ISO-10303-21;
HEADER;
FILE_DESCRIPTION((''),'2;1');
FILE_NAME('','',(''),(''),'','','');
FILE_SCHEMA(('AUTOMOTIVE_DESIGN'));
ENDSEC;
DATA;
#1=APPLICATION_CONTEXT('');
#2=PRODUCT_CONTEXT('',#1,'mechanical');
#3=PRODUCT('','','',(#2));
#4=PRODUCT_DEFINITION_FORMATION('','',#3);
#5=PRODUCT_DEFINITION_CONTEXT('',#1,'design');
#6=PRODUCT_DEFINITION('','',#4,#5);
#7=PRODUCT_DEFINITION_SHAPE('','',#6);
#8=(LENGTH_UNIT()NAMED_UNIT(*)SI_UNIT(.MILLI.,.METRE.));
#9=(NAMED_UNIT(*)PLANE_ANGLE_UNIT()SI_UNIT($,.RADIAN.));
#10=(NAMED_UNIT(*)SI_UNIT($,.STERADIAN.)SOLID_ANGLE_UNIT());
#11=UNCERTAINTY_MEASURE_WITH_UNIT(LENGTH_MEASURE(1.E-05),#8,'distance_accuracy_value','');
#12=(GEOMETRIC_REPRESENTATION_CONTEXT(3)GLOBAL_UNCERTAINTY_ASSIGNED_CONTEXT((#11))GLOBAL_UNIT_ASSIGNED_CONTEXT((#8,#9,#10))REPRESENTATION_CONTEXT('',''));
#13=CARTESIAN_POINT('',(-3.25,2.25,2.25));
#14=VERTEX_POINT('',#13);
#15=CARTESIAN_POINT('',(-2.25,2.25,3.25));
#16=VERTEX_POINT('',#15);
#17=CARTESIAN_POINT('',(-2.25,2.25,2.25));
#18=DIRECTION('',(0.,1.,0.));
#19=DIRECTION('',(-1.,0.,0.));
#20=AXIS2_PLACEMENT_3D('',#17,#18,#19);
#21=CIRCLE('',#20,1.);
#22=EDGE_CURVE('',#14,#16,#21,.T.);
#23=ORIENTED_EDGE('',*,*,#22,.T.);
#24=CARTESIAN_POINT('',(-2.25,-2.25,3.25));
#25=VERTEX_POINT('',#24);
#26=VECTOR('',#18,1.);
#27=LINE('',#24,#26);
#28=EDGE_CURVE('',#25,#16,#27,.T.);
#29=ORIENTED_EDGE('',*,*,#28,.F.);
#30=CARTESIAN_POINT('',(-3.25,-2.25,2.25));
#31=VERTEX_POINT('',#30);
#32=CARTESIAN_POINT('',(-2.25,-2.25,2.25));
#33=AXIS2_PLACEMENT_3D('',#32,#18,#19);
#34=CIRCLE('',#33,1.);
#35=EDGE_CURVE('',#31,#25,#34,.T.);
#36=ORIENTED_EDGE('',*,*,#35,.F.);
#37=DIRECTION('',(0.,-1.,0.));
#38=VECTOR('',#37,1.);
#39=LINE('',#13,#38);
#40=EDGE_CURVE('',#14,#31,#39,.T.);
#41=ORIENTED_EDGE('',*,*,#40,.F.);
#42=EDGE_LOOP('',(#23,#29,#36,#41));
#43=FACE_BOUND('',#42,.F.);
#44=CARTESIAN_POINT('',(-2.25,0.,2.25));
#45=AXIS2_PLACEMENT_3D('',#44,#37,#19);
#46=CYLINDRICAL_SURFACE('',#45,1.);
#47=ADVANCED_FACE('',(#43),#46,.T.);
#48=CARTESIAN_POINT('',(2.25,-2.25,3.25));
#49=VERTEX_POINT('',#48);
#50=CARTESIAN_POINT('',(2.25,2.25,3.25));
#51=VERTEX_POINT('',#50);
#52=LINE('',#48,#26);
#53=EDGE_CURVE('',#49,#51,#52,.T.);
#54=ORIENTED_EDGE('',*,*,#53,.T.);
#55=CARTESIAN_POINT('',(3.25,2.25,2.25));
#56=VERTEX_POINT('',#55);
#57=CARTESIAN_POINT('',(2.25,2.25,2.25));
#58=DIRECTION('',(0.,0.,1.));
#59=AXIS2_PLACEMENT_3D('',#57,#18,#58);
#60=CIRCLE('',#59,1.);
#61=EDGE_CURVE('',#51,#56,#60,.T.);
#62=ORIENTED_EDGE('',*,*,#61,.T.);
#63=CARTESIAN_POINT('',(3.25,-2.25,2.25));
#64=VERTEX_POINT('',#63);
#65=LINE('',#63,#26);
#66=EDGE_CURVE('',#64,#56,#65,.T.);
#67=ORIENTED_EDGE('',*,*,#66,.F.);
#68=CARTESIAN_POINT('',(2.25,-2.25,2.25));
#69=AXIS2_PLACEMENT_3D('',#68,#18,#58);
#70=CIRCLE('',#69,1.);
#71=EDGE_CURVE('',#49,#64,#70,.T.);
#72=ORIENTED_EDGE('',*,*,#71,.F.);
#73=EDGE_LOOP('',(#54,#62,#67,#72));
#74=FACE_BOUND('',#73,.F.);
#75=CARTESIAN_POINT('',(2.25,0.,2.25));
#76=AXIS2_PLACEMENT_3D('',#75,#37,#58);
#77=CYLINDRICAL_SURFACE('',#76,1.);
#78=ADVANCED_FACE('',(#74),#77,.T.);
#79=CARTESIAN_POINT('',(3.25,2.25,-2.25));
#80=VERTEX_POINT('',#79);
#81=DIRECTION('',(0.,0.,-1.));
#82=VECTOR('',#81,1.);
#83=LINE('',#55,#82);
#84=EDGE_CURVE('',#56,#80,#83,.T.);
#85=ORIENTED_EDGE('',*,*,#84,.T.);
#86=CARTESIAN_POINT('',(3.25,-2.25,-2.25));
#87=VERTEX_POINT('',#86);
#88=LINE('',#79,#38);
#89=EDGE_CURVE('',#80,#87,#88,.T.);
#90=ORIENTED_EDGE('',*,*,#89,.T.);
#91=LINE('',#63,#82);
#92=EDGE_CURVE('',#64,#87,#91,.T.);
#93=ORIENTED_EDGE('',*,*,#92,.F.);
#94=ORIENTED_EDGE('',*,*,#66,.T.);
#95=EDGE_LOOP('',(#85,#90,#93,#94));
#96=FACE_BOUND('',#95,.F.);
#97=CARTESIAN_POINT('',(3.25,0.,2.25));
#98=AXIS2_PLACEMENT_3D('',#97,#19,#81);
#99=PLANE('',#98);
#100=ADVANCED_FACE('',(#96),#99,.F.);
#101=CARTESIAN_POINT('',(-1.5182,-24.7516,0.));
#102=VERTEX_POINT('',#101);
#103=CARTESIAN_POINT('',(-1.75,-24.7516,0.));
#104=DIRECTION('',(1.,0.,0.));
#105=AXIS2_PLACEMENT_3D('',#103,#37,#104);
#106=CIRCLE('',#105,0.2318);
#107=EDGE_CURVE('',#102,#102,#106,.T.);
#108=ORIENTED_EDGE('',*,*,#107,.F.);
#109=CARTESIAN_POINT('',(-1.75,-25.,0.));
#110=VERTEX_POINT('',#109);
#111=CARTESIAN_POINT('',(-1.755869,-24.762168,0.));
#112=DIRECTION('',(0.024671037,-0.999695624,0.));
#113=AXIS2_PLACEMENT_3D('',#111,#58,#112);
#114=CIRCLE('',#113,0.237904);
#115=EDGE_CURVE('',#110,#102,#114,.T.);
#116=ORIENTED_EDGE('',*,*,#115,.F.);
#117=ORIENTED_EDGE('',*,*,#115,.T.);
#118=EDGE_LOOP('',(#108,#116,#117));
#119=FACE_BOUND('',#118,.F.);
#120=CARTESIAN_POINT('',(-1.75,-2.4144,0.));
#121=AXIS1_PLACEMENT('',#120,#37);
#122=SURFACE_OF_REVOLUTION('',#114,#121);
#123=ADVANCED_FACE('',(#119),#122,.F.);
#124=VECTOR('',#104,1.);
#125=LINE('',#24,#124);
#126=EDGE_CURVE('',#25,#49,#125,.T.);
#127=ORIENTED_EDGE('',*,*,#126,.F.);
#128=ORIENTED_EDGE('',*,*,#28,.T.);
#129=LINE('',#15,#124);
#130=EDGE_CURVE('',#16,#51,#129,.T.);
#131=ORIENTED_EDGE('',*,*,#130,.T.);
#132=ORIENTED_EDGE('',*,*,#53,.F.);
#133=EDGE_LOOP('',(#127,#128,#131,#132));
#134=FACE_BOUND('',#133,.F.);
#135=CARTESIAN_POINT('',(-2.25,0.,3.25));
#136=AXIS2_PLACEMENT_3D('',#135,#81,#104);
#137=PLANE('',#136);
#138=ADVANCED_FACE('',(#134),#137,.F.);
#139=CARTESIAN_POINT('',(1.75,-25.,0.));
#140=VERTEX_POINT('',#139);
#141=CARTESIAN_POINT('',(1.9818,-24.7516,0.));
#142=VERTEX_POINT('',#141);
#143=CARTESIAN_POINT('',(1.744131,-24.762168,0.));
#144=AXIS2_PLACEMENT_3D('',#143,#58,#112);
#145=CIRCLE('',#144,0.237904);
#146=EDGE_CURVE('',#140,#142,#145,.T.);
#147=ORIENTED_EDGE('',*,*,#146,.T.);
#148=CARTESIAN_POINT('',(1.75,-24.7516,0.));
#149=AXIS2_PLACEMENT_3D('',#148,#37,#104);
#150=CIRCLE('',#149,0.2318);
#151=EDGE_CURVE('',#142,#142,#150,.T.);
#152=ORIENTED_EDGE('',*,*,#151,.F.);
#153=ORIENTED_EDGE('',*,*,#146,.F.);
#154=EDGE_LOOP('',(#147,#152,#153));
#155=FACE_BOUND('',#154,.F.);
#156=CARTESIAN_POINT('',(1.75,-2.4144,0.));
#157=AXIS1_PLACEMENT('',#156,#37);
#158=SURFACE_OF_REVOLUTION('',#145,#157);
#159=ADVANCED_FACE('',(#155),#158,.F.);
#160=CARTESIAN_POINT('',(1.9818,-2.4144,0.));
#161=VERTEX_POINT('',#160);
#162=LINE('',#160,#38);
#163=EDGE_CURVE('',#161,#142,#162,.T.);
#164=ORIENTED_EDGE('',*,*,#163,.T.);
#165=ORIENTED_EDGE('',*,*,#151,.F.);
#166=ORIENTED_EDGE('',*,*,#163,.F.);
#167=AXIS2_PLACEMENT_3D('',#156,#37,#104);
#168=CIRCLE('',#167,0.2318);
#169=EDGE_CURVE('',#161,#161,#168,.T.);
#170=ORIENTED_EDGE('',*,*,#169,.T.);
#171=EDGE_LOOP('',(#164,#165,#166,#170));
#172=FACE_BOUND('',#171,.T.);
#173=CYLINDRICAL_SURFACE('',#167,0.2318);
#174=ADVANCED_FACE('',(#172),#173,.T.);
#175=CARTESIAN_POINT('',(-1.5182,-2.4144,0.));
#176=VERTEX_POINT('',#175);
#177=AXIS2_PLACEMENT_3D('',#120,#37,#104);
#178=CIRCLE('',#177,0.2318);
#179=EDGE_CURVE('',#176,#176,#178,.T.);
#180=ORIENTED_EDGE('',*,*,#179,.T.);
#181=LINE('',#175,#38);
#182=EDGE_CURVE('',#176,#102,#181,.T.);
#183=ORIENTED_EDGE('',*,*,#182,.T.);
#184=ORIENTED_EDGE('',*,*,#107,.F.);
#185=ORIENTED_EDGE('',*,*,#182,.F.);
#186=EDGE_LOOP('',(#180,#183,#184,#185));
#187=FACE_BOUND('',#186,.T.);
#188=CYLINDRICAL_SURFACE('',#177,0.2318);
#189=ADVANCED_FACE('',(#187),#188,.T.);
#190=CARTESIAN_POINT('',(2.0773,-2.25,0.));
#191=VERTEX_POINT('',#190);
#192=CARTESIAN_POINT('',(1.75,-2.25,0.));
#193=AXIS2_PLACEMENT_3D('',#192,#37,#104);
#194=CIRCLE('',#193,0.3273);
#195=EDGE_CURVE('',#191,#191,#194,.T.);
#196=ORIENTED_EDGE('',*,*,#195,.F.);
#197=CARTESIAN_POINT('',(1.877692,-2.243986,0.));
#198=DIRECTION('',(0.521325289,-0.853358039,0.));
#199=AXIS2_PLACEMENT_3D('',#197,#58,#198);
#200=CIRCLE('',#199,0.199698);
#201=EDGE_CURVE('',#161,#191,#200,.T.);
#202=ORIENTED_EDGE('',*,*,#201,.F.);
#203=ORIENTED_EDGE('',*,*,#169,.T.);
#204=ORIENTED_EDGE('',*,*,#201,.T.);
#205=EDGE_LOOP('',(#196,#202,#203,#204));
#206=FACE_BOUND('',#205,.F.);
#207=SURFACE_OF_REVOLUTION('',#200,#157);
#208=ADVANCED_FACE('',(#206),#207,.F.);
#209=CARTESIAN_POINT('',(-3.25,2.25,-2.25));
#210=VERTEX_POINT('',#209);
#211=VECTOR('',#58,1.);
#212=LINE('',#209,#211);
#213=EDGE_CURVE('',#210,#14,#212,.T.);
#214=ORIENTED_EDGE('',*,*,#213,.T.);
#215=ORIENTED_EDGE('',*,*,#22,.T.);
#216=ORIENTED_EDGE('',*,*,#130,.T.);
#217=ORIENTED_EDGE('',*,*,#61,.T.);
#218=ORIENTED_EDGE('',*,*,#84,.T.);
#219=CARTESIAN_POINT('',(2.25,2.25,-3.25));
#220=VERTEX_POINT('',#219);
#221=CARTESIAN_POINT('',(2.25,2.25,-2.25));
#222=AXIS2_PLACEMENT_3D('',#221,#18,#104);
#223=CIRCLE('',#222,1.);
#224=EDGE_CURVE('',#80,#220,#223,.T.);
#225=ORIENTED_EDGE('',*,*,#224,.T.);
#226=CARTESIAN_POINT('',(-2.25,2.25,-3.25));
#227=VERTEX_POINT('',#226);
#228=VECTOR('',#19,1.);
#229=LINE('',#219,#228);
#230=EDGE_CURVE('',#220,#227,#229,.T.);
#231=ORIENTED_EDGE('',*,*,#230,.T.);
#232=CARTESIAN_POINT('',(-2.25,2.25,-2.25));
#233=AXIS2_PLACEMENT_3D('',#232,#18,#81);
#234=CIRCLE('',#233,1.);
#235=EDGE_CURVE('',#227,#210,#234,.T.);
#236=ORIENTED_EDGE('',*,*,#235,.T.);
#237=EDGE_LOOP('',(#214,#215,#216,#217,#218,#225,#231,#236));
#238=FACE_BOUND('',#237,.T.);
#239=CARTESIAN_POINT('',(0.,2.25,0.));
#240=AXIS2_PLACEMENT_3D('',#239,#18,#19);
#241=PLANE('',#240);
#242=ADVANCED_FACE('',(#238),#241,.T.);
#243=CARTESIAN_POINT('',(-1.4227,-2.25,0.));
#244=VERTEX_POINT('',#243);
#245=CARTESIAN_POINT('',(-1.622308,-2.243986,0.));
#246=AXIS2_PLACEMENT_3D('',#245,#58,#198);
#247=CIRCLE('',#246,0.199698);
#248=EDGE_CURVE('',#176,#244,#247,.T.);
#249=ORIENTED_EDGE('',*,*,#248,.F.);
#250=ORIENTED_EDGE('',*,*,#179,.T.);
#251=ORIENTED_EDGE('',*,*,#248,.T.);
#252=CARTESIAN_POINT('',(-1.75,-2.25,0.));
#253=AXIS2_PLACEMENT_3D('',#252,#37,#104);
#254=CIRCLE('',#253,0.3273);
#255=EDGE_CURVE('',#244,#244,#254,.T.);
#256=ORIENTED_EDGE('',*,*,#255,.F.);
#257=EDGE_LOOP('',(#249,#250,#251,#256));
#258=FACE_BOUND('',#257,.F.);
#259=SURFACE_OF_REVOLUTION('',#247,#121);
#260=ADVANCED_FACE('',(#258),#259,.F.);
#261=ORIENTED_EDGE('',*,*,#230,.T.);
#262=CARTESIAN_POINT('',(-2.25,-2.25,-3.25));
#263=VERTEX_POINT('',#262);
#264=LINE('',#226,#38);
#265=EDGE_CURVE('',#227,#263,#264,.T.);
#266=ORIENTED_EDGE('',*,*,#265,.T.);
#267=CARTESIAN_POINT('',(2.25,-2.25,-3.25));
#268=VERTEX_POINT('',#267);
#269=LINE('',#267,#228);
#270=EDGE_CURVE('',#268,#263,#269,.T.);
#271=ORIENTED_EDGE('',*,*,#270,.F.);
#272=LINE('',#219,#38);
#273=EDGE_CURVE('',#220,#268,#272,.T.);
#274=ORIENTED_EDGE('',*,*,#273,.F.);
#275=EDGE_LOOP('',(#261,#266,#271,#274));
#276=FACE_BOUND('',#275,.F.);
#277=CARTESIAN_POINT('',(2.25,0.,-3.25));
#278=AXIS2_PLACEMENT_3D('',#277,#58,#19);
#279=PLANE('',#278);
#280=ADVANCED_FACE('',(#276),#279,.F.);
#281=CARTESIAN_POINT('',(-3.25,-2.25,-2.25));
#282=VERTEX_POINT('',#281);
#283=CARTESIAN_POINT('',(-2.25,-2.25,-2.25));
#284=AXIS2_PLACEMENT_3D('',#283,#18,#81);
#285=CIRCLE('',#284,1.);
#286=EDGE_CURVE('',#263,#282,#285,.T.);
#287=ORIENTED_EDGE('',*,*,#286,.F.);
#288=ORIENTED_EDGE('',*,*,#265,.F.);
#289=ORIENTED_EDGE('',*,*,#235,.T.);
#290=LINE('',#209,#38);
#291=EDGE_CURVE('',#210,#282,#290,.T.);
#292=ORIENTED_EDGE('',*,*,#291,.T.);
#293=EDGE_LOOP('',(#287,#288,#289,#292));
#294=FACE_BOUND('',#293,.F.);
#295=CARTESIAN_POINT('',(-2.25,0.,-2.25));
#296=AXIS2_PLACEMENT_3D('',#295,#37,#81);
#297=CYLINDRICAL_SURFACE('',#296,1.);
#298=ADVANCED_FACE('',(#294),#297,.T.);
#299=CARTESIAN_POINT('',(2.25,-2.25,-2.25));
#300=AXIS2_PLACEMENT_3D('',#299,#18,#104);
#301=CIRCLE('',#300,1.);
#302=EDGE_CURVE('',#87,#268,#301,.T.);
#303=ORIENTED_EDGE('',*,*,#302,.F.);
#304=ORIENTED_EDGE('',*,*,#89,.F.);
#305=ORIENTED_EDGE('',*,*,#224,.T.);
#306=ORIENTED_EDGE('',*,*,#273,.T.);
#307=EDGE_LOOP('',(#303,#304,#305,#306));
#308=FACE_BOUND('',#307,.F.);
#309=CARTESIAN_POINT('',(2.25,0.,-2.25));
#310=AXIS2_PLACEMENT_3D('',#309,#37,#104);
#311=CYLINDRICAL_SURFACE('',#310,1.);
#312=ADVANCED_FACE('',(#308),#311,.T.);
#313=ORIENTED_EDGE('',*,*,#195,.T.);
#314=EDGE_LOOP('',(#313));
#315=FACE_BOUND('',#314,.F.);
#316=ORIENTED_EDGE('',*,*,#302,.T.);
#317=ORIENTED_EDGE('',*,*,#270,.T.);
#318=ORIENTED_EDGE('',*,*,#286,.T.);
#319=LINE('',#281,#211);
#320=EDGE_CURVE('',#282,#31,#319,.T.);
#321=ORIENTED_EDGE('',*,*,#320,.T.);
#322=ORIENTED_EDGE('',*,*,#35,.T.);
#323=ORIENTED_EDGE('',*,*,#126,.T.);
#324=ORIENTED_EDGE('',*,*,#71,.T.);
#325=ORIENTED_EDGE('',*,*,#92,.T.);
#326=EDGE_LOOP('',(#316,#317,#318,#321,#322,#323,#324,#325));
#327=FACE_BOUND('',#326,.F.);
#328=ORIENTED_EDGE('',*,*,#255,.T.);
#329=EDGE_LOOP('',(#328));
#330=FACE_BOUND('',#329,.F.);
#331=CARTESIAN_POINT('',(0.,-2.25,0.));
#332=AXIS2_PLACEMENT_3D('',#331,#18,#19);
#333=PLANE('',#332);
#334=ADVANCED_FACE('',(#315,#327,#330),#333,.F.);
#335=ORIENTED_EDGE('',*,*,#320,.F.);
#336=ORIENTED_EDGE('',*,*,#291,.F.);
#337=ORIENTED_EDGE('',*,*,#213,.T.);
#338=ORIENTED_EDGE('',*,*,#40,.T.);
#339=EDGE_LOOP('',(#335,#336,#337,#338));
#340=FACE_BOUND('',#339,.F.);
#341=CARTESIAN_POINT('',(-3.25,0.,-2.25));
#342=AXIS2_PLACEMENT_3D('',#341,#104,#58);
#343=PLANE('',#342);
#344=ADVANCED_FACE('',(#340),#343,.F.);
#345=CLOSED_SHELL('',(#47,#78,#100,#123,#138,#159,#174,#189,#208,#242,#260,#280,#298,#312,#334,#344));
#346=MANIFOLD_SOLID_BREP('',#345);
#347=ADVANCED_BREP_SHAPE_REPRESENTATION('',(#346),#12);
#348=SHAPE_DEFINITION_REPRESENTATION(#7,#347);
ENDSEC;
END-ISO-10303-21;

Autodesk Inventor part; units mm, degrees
ref_plane "YZ Plane" through (0, 0, 0) normal (1, 0, 0) x (0, 1, 0)
ref_plane "XZ Plane" through (0, 0, 0) normal (0, 1, 0) x (-1, 0, 0)
ref_plane "XY Plane" through (0, 0, 0) normal (0, 0, 1) x (1, 0, 0)
sketch "Sketch1" plane through (0, 0, 0) normal (0, 1, 0) x (-1, 0, 0)
  line L0 (2.25, 3.25) -> (-2.25, 3.25)
  line L1 (-3.25, 2.25) -> (-3.25, -2.25)
  line L2 (-2.25, -3.25) -> (2.25, -3.25)
  line L3 (3.25, -2.25) -> (3.25, 2.25)
  line L4 (3.25, 3.25) -> (-3.25, -3.25) construction
  line L5 (-3.25, 3.25) -> (3.25, -3.25) construction
  arc A0 (-3.25, -2.25) -> (-2.25, -3.25) centre (-2.25, -2.25) ccw
  arc A1 (2.25, -3.25) -> (3.25, -2.25) centre (2.25, -2.25) ccw
  arc A2 (3.25, 2.25) -> (2.25, 3.25) centre (2.25, 2.25) ccw
  arc A3 (-2.25, 3.25) -> (-3.25, 2.25) centre (-2.25, 2.25) ccw
  point P0 (0, 0)
  dimension "d0" = 6.5
  dimension "d1" = 6.5
  dimension "d4" = 1
extrude "Extrusion1" add sketch "Sketch1" along normal mid plane 4.5
sketch "Sketch4" plane through (0, 0, 0) normal (0, 0, 1) x (1, 0, 0)
  arc A0 (-1.75, -25) -> (-1.5182, -24.7516) centre (-1.7559, -24.7621) ccw
  line L0 (-1.75, -2.4144) -> (-1.75, -25)
  line L1 (-1.5182, -2.4144) -> (-1.5182, -24.7516)
  arc A1 (-1.5182, -2.4144) -> (-1.4227, -2.25) centre (-1.6226, -2.2437) ccw
  line L2 (-1.75, -2.4144) -> (-1.75, -2.25)
  line L3 (-1.75, -2.25) -> (-1.4227, -2.25)
  point P0 (0, 0)
  dimension "d27" = 0.2
revolve "Revolution2" add sketch "Sketch4" angle 360 about axis through (-1.75, -2.4144, 0) along (0, -1, 0)
pattern_linear "Rectangular Pattern4" count 2 spacing 3.5 along (1, 0, 0) of "Revolution2"
properties part number "A54"
